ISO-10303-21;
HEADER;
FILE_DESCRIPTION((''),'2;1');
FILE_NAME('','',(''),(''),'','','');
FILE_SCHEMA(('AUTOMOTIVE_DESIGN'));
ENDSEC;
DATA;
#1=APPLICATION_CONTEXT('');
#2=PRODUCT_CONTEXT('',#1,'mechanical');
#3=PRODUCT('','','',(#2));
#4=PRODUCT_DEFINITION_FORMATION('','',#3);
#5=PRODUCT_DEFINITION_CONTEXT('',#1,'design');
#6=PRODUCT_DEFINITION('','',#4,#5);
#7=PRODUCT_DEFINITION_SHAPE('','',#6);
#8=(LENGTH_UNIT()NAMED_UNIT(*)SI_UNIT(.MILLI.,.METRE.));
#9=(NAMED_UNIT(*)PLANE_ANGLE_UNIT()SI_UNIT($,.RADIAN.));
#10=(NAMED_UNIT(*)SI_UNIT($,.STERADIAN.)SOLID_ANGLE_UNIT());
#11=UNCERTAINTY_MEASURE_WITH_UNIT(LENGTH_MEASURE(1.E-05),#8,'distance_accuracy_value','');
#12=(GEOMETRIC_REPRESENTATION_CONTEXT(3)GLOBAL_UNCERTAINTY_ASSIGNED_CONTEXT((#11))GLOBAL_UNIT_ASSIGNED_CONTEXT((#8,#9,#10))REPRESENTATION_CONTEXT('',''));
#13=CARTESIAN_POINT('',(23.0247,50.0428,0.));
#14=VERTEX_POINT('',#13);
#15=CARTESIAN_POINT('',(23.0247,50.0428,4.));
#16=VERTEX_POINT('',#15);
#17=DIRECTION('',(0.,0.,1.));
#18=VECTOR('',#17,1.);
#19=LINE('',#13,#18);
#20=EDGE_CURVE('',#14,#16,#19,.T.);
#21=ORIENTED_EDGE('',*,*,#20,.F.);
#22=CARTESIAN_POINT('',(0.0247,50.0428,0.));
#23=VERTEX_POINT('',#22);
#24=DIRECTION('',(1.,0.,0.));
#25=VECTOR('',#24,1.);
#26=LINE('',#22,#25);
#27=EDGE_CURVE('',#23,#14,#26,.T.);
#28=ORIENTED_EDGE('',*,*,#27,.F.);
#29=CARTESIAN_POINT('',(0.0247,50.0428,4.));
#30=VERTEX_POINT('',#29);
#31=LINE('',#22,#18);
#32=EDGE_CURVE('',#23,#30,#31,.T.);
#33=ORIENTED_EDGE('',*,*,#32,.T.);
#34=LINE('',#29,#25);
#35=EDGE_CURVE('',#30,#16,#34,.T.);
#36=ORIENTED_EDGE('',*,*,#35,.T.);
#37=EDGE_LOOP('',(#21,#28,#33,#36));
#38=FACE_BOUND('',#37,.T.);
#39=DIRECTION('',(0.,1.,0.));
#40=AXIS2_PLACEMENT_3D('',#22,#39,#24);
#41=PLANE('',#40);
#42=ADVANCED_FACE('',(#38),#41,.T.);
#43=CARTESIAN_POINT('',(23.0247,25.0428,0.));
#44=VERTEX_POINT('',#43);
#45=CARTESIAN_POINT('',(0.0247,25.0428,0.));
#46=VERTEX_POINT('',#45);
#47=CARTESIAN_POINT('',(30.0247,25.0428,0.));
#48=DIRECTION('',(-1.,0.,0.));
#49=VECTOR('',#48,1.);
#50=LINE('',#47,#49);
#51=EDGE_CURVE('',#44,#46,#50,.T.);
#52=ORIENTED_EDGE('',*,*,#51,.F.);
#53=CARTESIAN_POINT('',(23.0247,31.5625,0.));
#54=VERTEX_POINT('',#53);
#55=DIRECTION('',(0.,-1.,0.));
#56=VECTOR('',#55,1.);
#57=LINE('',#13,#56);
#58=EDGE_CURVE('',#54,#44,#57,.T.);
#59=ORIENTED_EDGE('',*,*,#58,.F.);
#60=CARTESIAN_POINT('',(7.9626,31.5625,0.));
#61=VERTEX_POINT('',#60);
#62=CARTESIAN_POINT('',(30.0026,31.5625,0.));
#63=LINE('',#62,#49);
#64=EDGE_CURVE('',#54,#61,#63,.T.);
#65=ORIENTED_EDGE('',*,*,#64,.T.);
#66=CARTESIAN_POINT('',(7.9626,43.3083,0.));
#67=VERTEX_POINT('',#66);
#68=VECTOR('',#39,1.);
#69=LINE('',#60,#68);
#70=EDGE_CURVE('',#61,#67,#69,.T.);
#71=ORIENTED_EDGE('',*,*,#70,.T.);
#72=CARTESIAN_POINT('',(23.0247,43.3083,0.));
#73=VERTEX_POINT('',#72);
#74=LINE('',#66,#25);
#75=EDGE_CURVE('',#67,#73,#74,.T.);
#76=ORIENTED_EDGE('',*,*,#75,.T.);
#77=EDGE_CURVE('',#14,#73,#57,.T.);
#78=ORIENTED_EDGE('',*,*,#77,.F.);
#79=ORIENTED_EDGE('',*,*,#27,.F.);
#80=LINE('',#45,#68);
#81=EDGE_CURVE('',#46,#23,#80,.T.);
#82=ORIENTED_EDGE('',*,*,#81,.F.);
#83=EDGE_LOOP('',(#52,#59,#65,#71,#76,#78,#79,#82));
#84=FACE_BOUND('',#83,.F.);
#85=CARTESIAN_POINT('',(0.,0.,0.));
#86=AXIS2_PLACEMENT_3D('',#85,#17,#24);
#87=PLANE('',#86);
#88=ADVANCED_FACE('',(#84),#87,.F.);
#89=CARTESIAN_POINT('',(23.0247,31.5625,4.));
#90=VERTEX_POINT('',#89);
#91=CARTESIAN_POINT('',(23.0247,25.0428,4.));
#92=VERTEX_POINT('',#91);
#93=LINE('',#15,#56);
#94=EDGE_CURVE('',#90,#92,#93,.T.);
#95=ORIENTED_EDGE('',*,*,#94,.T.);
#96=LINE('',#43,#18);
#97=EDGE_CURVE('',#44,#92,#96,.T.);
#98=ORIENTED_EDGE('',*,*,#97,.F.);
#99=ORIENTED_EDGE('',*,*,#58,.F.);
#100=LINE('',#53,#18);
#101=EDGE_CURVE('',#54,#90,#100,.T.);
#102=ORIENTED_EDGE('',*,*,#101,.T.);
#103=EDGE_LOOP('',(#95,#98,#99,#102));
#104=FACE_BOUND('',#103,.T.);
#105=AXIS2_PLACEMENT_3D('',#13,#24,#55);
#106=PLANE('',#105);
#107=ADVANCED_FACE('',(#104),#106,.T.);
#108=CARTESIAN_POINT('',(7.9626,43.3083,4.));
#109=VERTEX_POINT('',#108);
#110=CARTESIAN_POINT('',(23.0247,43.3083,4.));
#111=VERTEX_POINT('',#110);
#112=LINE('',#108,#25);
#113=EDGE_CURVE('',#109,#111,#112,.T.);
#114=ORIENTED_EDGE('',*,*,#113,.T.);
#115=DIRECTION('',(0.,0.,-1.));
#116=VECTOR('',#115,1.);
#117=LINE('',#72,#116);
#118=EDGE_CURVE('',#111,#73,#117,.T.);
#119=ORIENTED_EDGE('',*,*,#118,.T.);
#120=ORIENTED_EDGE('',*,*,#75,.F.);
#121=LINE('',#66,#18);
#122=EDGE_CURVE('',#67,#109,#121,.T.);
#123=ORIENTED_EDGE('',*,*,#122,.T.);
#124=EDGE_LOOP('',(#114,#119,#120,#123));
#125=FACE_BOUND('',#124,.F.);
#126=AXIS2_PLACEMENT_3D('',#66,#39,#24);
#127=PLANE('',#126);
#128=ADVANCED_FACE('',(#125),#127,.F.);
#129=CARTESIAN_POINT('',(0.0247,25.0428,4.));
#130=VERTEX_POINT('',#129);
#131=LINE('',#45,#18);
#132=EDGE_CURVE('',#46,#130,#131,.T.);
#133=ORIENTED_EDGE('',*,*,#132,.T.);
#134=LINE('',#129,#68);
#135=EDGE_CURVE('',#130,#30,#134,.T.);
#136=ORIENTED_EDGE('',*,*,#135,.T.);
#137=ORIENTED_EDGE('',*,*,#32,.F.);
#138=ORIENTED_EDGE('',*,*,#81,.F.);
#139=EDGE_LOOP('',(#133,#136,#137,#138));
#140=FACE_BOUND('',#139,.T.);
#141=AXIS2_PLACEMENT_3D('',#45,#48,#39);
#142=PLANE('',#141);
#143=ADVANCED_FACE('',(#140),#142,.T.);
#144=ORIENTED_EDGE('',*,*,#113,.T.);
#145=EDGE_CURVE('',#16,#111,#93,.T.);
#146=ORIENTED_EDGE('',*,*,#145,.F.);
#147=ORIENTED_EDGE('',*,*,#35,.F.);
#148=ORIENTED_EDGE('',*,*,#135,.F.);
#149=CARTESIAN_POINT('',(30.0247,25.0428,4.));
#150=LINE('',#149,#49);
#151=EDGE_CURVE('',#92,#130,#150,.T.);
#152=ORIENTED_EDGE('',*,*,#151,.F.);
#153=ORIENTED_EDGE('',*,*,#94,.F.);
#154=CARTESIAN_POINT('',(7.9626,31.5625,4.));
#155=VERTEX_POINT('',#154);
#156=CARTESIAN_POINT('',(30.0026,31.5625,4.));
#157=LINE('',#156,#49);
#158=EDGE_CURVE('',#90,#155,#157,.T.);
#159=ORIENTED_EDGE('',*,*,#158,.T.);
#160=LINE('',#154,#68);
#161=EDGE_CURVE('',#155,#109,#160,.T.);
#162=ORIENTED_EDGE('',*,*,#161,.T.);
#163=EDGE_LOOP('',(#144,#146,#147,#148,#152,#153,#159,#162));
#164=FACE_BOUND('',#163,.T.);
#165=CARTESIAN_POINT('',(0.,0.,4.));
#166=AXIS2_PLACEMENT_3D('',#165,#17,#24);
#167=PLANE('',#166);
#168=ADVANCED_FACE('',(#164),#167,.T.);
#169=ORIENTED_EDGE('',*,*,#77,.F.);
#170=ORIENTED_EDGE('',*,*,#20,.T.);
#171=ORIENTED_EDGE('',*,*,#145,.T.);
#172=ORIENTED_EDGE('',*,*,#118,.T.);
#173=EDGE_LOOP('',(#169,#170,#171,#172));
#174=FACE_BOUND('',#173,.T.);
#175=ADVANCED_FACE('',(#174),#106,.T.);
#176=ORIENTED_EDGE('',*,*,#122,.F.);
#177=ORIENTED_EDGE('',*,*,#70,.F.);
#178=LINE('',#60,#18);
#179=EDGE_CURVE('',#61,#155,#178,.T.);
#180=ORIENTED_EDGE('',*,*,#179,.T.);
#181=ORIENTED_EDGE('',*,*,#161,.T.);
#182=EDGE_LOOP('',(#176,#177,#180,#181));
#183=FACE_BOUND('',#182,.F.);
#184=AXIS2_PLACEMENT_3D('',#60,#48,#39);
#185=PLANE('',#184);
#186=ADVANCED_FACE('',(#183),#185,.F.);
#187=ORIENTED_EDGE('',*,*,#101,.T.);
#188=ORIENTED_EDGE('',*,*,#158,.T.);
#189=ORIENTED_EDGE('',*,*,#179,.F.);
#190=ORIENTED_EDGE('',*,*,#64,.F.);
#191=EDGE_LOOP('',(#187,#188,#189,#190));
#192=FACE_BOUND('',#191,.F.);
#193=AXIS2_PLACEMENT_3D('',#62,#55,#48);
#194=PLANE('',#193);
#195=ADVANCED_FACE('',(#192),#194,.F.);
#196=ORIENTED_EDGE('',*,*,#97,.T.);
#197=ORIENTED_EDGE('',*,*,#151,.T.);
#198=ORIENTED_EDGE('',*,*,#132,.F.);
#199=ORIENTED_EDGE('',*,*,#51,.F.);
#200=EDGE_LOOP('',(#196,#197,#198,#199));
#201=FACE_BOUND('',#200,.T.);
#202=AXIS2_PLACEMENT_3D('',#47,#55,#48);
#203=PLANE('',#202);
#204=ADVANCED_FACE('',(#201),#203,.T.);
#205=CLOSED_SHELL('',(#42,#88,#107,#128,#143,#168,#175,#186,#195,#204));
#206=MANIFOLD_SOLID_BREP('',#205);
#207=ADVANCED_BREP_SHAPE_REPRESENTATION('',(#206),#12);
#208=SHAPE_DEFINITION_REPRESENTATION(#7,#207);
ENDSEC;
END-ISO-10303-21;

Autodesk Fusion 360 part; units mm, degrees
sketch "Sketch1" plane through (0, 0, 0) normal (0, 0, 1) x (1, 0, 0)
  line L0 (0.0247, 50.0428) -> (30.0247, 50.0428)
  line L1 (30.0247, 50.0428) -> (30.0247, 25.0428)
  line L2 (30.0247, 25.0428) -> (0.0247, 25.0428)
  line L3 (0.0247, 25.0428) -> (0.0247, 50.0428)
  dimension "d3" = 30
  dimension "d4" = 25
extrude "Extrude1" add sketch "Sketch1" along normal blind 4
sketch "Sketch2" plane through (0, 0, 0) normal (0, 0, 1) x (1, 0, 0)
  line L0 (7.9626, 43.3083) -> (30.0026, 43.3083)
  line L1 (30.0026, 43.3083) -> (30.0026, 31.5625)
  line L2 (30.0026, 31.5625) -> (7.9626, 31.5625)
  line L3 (7.9626, 31.5625) -> (7.9626, 43.3083)
extrude "Extrude2" cut sketch "Sketch2" along normal blind 4
extrude "Extrude3" cut 1 faces at (30.0247, 41.7095, 1.3333) along direction (-1, 0, 0) blind 7
